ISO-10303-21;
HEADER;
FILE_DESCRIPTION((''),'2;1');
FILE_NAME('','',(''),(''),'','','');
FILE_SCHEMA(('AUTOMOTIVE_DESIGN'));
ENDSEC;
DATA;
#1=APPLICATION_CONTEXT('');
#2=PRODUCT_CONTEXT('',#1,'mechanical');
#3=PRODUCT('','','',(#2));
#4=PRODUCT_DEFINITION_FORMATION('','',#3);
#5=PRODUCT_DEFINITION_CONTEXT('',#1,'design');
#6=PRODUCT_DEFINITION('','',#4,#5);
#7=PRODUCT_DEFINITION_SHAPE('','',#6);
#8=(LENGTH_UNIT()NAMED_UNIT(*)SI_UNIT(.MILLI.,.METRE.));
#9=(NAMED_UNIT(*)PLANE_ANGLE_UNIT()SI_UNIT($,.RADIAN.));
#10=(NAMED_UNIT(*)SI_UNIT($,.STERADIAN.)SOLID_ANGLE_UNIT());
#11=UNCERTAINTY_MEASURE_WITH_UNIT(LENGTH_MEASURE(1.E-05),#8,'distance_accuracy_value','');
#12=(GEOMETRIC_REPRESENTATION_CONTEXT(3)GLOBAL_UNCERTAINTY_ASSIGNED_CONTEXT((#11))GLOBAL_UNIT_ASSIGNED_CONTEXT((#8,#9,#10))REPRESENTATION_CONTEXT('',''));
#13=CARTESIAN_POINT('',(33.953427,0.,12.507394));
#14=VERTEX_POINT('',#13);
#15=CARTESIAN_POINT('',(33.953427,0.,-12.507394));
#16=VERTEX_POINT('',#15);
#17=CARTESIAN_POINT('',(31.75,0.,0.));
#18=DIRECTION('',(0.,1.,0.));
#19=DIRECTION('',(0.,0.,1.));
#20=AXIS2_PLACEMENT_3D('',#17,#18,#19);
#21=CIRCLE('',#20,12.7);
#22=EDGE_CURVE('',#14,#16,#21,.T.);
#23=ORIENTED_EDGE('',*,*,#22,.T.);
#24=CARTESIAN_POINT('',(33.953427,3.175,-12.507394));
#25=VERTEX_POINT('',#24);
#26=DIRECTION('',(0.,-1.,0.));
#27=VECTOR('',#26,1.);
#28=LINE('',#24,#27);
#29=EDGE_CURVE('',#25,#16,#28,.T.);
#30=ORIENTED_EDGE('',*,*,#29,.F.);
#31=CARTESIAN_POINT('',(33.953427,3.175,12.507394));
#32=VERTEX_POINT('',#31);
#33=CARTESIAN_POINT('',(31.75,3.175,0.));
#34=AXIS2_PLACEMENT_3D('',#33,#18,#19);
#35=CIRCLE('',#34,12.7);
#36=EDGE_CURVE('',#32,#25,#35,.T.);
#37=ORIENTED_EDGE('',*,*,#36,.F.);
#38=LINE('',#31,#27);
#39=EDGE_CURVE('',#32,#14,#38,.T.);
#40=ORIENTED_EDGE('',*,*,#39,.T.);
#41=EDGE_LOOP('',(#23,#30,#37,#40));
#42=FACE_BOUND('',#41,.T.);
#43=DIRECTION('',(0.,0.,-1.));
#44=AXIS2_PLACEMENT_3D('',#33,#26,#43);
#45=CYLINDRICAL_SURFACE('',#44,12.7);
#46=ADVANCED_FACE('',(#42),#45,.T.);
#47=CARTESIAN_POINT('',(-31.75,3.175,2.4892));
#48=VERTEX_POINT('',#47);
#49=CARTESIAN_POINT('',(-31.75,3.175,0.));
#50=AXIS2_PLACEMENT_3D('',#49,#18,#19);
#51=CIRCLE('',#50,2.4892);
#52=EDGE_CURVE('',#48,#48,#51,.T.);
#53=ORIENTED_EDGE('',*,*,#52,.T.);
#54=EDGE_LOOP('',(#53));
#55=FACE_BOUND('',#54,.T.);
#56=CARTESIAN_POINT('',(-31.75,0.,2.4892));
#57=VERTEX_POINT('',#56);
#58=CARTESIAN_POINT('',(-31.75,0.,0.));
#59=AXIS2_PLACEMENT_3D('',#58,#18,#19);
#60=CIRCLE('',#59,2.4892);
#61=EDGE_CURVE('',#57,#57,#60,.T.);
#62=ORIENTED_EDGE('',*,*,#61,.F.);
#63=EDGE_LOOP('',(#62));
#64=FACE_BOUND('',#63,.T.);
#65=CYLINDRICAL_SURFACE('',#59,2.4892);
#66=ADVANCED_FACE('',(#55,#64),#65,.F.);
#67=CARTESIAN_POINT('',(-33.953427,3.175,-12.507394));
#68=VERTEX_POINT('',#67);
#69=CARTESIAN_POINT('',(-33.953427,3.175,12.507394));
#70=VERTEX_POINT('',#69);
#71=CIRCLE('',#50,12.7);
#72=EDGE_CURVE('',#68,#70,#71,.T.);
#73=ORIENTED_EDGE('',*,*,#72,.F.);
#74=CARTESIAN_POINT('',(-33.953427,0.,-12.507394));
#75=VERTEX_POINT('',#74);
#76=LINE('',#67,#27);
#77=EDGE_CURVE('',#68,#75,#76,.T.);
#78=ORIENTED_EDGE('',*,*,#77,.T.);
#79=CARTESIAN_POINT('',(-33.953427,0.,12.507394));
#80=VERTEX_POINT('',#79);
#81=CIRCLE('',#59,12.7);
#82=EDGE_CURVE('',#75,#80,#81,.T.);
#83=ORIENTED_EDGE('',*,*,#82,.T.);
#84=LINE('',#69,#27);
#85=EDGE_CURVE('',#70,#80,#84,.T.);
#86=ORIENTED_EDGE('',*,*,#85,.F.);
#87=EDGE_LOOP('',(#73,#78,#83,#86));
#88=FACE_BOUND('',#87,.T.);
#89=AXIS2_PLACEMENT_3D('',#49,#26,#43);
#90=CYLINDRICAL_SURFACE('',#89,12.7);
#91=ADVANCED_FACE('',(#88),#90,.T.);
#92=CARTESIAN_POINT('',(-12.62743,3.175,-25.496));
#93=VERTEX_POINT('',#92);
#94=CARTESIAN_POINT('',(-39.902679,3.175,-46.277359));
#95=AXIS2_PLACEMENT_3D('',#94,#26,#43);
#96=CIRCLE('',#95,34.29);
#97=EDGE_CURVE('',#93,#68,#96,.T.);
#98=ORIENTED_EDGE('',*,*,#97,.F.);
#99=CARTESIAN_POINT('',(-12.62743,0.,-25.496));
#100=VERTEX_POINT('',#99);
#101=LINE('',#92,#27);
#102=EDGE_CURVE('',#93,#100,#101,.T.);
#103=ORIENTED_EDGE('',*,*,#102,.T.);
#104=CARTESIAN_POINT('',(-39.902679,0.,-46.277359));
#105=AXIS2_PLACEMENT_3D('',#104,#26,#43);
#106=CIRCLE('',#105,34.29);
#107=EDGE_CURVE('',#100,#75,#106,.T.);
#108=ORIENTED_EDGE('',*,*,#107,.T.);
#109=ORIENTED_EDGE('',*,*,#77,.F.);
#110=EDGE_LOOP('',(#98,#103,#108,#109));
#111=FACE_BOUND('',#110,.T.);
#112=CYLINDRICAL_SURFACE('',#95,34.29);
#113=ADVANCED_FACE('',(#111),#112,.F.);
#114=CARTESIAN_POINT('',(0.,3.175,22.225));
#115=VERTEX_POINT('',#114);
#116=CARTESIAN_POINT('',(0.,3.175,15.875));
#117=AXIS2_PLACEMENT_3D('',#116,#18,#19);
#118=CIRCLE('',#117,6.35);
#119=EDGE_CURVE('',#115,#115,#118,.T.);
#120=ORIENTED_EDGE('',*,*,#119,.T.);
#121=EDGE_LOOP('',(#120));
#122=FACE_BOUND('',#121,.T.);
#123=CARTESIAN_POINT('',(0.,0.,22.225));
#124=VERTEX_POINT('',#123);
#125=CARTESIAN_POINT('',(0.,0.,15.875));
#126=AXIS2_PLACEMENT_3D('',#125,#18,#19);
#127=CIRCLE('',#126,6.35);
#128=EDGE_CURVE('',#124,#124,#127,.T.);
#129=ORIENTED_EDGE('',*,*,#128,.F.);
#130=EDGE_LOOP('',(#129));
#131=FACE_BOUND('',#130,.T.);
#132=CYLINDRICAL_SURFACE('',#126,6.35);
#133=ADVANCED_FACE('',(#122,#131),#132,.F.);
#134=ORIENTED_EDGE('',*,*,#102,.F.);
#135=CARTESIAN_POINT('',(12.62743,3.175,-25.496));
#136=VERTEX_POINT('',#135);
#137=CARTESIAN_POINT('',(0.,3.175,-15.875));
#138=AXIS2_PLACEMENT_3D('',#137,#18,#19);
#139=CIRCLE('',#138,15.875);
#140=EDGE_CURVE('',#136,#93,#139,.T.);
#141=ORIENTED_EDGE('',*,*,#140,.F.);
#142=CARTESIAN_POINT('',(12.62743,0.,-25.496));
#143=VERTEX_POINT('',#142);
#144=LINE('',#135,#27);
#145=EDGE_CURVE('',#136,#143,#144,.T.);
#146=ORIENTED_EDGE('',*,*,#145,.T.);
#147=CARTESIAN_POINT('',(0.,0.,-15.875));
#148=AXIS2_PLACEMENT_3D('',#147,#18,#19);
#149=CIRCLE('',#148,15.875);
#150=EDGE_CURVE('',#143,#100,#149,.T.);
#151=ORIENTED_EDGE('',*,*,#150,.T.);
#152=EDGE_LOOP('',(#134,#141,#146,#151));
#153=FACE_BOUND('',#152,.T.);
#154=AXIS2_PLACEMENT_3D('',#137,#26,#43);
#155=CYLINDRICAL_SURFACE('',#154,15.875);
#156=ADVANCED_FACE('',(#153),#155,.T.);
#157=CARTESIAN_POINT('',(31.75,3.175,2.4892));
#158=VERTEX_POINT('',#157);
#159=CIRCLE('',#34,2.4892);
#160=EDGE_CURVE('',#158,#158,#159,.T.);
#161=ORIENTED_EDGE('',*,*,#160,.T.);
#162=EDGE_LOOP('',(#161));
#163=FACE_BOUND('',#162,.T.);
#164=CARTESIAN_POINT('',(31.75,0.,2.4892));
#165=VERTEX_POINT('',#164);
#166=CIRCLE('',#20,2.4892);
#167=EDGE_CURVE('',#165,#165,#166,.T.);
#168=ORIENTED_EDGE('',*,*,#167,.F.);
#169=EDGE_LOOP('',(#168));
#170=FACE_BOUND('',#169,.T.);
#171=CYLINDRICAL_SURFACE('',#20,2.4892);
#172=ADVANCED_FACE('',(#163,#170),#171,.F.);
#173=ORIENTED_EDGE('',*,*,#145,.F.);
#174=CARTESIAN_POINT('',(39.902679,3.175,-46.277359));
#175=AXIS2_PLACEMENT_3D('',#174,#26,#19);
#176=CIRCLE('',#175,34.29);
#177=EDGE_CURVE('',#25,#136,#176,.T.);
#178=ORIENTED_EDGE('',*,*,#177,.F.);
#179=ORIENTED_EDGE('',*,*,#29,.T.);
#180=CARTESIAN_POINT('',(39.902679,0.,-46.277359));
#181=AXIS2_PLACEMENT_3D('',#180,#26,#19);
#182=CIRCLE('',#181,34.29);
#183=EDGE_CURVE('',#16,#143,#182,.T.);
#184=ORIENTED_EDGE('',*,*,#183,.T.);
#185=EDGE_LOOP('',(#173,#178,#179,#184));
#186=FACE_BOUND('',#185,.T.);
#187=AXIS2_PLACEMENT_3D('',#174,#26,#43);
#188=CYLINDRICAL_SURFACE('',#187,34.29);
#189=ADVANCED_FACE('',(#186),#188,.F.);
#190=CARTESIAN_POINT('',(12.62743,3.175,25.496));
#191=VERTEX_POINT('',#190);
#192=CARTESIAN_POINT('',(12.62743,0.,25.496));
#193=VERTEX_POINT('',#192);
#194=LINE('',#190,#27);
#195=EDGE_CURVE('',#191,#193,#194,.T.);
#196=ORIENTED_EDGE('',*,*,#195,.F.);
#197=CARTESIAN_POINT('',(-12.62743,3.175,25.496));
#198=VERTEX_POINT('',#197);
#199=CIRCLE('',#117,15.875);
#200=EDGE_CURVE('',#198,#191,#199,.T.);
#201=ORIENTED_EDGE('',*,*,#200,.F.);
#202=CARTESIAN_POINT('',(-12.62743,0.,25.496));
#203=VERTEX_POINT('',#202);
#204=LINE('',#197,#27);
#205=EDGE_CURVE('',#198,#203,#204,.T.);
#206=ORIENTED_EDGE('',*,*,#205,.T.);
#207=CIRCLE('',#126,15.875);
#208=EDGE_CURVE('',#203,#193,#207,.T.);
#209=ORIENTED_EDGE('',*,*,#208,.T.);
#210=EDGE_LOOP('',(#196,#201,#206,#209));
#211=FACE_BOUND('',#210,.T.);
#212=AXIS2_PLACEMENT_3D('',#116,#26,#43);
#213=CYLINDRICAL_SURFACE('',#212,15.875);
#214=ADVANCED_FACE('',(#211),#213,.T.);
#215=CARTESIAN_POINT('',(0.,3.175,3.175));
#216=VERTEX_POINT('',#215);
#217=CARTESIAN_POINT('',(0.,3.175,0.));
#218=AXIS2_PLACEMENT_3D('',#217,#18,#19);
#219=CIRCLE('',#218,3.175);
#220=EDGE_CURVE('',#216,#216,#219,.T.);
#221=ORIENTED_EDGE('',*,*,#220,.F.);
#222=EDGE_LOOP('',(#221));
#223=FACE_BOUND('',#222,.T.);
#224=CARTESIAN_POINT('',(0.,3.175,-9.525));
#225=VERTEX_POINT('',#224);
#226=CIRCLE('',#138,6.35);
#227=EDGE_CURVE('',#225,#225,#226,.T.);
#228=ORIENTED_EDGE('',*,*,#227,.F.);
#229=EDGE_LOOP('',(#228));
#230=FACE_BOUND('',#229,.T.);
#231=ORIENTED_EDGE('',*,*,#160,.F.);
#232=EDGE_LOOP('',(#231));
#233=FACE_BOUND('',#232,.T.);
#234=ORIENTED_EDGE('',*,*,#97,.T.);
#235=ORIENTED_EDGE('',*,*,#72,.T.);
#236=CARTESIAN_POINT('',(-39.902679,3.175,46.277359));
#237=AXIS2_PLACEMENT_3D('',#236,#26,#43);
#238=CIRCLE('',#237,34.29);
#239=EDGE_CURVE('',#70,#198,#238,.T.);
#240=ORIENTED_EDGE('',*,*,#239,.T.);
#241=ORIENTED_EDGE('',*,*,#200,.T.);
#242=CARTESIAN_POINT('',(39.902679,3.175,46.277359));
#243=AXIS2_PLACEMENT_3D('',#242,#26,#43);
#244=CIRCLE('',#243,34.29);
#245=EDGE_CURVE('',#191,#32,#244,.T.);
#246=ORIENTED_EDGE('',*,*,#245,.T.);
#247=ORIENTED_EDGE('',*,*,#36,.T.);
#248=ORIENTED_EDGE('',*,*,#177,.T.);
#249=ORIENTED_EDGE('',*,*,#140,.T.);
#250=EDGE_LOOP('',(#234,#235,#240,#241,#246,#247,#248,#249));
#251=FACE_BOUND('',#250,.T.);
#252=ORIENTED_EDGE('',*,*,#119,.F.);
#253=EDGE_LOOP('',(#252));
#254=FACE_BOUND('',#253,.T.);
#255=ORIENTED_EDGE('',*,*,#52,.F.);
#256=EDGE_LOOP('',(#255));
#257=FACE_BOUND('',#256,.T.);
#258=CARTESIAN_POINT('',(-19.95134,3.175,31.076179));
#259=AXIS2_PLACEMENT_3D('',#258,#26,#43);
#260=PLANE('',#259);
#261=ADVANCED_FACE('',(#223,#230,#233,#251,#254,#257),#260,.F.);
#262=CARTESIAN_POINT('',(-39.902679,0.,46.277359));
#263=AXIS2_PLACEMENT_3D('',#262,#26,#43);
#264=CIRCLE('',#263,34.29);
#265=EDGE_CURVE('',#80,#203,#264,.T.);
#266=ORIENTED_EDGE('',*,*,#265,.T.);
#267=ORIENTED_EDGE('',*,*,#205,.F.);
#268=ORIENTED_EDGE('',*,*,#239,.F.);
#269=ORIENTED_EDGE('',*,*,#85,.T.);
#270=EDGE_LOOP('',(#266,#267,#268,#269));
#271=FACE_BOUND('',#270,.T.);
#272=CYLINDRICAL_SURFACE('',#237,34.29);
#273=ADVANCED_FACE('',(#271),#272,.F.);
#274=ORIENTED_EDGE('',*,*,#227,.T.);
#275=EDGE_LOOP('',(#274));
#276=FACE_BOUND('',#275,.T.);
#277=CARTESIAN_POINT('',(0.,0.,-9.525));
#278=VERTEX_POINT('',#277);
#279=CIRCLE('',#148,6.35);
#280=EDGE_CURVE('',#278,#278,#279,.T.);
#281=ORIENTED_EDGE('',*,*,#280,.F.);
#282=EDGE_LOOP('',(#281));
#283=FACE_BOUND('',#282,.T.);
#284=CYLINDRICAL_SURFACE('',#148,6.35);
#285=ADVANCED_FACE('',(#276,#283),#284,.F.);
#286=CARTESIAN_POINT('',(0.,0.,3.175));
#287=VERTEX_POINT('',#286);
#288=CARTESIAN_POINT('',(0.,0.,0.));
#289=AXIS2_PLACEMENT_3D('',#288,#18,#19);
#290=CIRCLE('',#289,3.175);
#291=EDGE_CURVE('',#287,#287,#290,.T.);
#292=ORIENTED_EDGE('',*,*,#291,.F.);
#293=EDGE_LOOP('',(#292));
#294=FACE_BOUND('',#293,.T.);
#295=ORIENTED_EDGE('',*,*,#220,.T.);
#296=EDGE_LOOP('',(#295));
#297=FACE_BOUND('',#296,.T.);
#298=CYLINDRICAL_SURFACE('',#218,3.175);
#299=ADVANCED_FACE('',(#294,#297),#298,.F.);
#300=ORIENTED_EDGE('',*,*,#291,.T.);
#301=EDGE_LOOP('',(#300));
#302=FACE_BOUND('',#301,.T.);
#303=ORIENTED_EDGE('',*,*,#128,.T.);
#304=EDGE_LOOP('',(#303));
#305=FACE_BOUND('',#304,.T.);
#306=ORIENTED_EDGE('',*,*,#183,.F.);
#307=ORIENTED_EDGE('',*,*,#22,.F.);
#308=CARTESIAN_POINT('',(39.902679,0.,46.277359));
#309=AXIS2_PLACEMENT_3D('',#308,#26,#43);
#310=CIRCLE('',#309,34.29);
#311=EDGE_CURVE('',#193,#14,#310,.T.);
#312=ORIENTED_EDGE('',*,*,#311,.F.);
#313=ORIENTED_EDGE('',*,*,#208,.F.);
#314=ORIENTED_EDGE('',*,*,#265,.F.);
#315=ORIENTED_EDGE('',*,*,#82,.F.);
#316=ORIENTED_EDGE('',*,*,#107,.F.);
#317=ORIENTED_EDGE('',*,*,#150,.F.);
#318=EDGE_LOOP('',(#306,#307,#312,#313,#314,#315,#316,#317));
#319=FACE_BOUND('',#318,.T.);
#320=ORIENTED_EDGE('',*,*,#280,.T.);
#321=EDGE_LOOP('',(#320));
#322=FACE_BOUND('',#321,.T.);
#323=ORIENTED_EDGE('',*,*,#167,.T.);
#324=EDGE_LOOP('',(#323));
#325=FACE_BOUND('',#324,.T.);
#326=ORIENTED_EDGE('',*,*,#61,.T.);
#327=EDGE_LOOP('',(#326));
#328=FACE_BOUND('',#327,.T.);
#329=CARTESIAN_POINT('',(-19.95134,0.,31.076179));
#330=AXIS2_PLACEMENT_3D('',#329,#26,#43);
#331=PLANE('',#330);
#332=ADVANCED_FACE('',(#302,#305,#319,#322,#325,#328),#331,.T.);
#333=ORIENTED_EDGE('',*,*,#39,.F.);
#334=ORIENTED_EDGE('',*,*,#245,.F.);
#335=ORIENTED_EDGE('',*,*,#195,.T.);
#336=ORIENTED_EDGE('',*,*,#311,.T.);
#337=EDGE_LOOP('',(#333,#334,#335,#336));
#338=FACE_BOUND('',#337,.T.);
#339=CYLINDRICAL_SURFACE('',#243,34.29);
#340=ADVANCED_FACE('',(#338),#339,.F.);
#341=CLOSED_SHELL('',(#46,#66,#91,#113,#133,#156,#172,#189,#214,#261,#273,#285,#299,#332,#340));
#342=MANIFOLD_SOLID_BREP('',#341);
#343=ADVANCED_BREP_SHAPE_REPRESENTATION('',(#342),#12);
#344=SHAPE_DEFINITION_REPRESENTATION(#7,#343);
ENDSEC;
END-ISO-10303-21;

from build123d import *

# Parameters (mm, degrees)
BOSS_EXTRUDE1_DEPTH         = 3.175
F_1_4_0_25_DIAMETER_HOLE1_D = 6.35
SKETCH5_R                   = 6.35
CUT_EXTRUDE1_DEPTH          = 4.175
SKETCH6_R                   = 2.4892
CUT_EXTRUDE2_DEPTH          = 4.175


with BuildPart() as part:
    # Sketch1 → Boss-Extrude1 (new body)
    with BuildSketch(Plane(origin=(0, 0, 0), x_dir=(1, 0, 0), z_dir=(0, 1, 0))):
        with BuildLine():
            ThreePointArc((12.62743016, 25.495999561), (0, 31.75), (-12.62743016, 25.495999561))
            ThreePointArc((-12.62743016, 25.495999561), (-22.066120108, 16.991504417), (-33.953426839, 12.50739422))
            ThreePointArc((-33.953426839, 12.50739422), (-44.45, 0), (-33.953426839, -12.50739422))
            ThreePointArc((-33.953426839, -12.50739422), (-22.066120108, -16.991504417), (-12.62743016, -25.495999561))
            ThreePointArc((-12.62743016, -25.495999561), (0, -31.75), (12.62743016, -25.495999561))
            ThreePointArc((12.62743016, -25.495999561), (22.066120108, -16.991504417), (33.953426839, -12.50739422))
            ThreePointArc((33.953426839, -12.50739422), (44.45, 0), (33.953426839, 12.50739422))
            ThreePointArc((33.953426839, 12.50739422), (22.066120108, 16.991504417), (12.62743016, 25.495999561))
        make_face()
    extrude(amount=BOSS_EXTRUDE1_DEPTH)

    # 1/4 (0.25) Diameter Hole1 (through all)
    with Locations(Plane(origin=(0, 3.175, 0), x_dir=(1, 0, 0), z_dir=(0, 1, 0))):
        with Locations((0, 0)):
            Hole(F_1_4_0_25_DIAMETER_HOLE1_D / 2)

    # Sketch5 → Cut-Extrude1 (cut, through all)
    with BuildSketch(Plane(origin=(0, 3.175, 0), x_dir=(1, 0, 0), z_dir=(0, 1, 0))):
        with Locations((0, 15.875)):
            Circle(SKETCH5_R)
        with Locations((0, -15.875)):
            Circle(SKETCH5_R)
    extrude(amount=-CUT_EXTRUDE1_DEPTH, mode=Mode.SUBTRACT)

    # Sketch6 → Cut-Extrude2 (cut, through all)
    with BuildSketch(Plane(origin=(0, 3.175, 0), x_dir=(1, 0, 0), z_dir=(0, 1, 0))):
        with Locations((-31.75, 0)):
            Circle(SKETCH6_R)
        with Locations((31.75, 0)):
            Circle(SKETCH6_R)
    extrude(amount=-CUT_EXTRUDE2_DEPTH, mode=Mode.SUBTRACT)


solid = part.part
